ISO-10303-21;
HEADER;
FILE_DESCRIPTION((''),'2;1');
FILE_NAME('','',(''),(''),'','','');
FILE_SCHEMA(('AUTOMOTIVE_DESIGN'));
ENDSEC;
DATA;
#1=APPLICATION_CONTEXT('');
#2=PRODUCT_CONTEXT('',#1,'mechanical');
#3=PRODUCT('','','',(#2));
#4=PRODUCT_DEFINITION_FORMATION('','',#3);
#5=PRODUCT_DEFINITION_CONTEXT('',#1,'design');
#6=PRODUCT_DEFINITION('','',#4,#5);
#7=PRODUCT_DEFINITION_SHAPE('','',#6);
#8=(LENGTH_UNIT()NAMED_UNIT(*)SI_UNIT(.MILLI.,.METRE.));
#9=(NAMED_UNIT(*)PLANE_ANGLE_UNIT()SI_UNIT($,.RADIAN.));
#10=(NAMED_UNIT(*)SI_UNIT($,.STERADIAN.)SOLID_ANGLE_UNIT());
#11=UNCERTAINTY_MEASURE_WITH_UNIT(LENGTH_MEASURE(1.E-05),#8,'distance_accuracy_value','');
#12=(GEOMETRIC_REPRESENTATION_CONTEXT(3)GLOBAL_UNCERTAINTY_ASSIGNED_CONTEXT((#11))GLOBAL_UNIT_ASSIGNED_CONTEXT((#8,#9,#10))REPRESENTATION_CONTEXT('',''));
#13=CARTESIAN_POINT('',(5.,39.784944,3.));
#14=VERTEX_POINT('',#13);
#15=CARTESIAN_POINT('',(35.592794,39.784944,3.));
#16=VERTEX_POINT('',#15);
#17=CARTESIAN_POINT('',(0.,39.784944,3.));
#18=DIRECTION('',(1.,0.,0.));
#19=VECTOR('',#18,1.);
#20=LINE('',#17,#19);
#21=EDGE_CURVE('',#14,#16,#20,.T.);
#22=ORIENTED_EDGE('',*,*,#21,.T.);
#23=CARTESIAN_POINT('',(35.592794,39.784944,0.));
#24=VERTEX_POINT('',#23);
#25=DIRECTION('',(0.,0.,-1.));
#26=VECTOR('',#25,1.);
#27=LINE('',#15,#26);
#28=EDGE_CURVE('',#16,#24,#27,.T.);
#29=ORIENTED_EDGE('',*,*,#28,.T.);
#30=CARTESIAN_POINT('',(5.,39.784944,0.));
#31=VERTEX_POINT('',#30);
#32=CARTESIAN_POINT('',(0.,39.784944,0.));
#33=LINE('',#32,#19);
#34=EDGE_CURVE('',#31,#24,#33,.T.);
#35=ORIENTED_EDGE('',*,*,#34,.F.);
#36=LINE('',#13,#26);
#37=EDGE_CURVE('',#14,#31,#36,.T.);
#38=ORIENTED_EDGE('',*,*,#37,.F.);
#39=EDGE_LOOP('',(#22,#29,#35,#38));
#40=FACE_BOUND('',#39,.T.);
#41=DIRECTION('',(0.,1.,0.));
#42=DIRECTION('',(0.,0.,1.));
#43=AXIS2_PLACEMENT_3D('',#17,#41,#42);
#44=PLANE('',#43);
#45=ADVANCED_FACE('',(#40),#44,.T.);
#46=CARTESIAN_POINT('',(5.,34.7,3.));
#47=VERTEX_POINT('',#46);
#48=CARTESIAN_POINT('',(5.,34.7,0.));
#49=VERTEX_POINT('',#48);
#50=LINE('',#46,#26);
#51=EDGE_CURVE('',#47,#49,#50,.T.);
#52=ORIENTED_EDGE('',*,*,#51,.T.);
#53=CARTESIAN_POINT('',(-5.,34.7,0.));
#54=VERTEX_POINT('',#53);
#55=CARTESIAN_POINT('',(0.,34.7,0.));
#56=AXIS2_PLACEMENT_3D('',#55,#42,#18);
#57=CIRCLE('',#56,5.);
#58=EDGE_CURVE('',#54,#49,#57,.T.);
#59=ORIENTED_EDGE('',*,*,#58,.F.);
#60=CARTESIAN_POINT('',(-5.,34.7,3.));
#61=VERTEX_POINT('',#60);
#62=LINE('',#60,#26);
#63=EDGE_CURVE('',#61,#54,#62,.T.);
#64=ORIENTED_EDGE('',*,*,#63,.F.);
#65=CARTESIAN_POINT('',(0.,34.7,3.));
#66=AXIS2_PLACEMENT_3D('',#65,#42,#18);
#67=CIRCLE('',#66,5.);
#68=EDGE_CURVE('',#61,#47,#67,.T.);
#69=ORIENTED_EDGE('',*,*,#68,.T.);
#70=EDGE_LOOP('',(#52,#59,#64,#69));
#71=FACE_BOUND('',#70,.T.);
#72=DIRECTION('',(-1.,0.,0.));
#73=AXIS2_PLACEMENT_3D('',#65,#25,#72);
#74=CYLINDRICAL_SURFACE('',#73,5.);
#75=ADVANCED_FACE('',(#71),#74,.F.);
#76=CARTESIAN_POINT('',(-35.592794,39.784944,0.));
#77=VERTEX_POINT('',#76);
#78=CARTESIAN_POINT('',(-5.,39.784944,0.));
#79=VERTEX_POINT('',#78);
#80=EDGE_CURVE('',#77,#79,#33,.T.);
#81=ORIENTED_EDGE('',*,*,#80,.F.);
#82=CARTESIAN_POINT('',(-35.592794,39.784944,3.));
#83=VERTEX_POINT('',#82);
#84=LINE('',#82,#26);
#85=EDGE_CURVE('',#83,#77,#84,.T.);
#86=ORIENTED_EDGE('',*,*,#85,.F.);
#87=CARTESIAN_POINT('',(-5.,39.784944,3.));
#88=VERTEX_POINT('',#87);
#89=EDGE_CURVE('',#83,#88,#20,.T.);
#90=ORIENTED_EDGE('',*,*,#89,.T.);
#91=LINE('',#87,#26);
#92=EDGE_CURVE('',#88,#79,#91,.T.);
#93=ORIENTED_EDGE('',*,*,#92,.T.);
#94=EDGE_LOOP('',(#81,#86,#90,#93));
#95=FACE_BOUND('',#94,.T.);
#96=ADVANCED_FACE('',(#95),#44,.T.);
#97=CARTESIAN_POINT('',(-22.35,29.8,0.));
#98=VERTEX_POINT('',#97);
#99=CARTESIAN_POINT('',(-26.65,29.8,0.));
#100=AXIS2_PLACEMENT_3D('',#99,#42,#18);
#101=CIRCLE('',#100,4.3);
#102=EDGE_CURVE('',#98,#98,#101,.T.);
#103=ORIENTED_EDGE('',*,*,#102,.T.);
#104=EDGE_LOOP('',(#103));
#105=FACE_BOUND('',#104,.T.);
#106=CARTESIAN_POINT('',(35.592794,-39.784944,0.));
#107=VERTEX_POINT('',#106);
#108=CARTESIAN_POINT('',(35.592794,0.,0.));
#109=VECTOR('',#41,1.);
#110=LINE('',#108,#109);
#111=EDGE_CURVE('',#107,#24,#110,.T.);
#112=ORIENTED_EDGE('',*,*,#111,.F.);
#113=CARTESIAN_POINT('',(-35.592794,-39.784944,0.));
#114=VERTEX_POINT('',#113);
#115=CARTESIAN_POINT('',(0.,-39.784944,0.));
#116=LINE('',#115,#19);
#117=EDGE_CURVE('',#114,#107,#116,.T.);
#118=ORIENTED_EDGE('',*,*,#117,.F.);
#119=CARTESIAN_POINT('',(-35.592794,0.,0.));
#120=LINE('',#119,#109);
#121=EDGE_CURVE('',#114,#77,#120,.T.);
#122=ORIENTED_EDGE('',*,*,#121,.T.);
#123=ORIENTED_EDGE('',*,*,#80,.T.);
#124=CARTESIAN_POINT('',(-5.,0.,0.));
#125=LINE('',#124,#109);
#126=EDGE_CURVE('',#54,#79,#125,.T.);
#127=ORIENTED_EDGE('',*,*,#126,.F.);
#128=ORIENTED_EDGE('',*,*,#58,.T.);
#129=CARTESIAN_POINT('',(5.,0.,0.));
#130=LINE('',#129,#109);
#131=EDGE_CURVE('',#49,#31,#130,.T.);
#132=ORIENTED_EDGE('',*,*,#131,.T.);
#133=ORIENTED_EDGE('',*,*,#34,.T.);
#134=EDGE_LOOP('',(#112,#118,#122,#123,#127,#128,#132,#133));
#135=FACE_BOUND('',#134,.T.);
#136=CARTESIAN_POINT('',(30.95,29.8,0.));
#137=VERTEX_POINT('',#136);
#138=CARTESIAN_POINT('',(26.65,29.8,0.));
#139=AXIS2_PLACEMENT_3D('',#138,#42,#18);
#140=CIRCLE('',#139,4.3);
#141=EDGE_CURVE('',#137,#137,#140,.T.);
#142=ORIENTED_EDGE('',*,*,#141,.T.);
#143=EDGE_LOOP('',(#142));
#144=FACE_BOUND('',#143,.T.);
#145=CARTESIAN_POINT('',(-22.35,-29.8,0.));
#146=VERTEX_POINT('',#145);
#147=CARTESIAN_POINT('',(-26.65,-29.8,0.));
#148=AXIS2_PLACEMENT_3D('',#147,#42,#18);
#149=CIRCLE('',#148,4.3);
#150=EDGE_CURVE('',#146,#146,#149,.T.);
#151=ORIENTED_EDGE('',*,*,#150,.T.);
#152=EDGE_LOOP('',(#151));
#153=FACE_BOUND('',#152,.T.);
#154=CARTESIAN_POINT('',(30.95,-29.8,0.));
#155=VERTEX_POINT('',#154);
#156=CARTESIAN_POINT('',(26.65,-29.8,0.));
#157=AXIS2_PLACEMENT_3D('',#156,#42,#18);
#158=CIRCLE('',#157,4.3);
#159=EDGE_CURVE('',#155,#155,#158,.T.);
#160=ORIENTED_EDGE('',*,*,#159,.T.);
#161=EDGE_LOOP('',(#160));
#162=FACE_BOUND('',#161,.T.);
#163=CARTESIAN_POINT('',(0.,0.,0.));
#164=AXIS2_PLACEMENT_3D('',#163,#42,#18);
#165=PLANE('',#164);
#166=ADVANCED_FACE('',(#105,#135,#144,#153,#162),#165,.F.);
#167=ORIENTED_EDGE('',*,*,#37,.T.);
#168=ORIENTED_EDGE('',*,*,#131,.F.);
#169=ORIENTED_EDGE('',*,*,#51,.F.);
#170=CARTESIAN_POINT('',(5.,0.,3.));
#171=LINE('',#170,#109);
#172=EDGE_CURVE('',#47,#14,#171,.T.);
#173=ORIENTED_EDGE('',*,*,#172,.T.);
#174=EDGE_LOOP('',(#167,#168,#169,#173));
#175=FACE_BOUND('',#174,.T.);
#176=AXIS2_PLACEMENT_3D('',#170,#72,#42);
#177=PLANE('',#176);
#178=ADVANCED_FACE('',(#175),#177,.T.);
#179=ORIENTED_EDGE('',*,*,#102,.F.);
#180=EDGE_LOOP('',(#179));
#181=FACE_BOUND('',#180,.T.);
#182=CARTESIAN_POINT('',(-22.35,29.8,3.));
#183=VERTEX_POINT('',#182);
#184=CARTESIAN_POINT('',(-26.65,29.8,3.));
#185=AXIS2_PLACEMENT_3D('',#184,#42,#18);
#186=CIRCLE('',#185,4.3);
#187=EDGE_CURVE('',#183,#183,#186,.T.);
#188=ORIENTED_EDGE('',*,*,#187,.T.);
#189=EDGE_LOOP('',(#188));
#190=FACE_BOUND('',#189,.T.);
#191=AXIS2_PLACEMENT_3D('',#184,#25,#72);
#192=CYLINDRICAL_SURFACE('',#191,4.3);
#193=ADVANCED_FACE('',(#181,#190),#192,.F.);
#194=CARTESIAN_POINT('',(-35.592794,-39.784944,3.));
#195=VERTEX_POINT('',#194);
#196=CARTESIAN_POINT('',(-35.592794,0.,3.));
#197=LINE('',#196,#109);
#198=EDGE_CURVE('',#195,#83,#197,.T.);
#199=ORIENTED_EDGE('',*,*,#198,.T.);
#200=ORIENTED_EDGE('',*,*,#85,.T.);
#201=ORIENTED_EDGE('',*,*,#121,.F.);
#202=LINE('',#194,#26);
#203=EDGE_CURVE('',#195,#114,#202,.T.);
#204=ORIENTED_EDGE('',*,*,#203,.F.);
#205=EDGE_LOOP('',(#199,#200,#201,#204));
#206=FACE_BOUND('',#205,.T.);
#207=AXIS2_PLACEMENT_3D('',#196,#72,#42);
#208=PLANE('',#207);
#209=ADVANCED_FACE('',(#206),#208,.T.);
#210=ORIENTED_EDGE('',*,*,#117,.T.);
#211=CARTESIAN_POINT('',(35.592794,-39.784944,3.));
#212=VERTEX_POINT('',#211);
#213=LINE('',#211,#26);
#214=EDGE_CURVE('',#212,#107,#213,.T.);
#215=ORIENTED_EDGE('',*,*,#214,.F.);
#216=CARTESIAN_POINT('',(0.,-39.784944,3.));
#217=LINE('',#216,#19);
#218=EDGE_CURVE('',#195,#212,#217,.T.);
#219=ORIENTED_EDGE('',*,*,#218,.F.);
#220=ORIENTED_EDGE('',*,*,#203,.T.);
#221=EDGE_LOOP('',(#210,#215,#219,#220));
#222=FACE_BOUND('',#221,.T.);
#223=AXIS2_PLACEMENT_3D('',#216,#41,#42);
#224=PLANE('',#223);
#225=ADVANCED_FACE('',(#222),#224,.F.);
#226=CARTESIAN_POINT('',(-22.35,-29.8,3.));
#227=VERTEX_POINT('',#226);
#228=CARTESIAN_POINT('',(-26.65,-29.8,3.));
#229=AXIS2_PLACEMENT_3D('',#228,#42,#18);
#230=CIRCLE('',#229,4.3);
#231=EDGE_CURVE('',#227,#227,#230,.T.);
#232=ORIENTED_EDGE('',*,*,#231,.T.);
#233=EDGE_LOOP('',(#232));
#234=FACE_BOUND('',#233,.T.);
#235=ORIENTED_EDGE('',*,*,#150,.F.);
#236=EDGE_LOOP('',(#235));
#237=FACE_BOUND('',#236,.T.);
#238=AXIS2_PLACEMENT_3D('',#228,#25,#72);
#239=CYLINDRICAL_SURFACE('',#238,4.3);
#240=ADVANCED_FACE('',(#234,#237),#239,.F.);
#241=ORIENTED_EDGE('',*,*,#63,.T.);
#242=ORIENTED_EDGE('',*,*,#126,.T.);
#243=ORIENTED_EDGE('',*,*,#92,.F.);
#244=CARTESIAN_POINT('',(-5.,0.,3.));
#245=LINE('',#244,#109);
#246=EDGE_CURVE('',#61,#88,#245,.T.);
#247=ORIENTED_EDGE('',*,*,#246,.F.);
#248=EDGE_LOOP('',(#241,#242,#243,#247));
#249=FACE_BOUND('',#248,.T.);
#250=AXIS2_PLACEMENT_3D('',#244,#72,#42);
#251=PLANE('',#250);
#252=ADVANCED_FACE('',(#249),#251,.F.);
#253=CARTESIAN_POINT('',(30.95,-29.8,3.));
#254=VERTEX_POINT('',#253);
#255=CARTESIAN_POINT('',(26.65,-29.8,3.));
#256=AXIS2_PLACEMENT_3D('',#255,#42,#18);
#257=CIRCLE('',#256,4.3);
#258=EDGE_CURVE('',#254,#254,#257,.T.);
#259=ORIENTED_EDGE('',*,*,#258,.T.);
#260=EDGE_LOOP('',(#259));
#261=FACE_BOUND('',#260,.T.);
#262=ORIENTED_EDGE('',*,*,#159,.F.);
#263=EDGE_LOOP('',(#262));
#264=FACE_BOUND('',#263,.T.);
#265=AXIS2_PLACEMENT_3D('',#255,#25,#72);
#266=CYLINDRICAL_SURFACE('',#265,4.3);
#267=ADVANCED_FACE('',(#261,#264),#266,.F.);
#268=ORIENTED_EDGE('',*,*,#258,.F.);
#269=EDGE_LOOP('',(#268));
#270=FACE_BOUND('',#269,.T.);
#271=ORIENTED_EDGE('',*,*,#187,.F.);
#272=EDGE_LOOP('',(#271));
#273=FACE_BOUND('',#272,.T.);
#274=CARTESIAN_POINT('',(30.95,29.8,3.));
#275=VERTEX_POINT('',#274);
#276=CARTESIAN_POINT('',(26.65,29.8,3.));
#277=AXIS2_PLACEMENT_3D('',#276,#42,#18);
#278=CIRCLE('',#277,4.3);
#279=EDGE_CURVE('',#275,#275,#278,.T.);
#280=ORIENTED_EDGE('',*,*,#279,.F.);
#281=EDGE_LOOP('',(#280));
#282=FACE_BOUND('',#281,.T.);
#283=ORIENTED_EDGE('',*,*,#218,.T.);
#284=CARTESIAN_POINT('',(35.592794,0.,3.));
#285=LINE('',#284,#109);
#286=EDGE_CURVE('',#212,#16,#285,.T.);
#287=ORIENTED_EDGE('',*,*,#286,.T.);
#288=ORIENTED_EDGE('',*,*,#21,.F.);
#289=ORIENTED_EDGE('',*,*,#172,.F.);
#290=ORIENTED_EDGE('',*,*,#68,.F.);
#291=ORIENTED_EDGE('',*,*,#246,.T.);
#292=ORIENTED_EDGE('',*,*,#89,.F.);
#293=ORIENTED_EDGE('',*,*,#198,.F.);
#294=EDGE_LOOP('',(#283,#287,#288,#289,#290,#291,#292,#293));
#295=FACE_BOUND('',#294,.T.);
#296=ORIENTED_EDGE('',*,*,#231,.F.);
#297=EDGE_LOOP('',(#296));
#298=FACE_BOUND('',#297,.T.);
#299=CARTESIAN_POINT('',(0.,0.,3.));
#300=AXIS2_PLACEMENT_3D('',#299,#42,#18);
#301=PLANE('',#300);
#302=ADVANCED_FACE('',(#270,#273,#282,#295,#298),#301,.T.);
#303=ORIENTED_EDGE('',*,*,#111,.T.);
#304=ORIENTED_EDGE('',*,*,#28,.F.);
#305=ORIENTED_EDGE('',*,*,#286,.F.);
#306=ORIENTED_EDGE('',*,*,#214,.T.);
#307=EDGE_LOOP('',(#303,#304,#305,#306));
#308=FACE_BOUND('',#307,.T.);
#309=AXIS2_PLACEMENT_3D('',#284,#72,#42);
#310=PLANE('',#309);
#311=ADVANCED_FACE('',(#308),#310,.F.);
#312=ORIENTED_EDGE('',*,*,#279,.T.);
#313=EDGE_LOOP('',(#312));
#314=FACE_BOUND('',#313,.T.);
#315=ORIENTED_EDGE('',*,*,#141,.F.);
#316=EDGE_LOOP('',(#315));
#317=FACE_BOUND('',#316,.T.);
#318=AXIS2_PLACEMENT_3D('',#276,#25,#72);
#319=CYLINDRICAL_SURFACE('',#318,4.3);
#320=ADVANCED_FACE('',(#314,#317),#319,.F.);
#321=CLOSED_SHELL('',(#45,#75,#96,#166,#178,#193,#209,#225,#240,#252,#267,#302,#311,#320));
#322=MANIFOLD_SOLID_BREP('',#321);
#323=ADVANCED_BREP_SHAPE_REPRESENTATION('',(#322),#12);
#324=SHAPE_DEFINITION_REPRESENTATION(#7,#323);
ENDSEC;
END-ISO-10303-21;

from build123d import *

# Parameters (mm, degrees)
SKETCH1_R           = 4.3
BOSS_EXTRUDE1_DEPTH = 3


with BuildPart() as part:
    # Sketch1 → Boss-Extrude1 (new body)
    with BuildSketch(Plane.XY):
        with BuildLine():
            Line((-35.59279418, 39.784944199), (-35.59279418, -39.784944199))
            Line((-35.59279418, -39.784944199), (35.59279418, -39.784944199))
            Line((35.59279418, -39.784944199), (35.59279418, 39.784944199))
            Line((35.59279418, 39.784944199), (5, 39.784944199))
            Line((5, 39.784944199), (5, 34.7))
            ThreePointArc((5, 34.7), (0, 29.7), (-5, 34.7))
            Line((-5, 34.7), (-5, 39.784944199))
            Line((-5, 39.784944199), (-35.59279418, 39.784944199))
        make_face()
        with Locations((-26.65, -29.8)):
            Circle(SKETCH1_R, mode=Mode.SUBTRACT)
        with Locations((26.65, -29.8)):
            Circle(SKETCH1_R, mode=Mode.SUBTRACT)
        with Locations((-26.65, 29.8)):
            Circle(SKETCH1_R, mode=Mode.SUBTRACT)
        with Locations((26.65, 29.8)):
            Circle(SKETCH1_R, mode=Mode.SUBTRACT)
    extrude(amount=BOSS_EXTRUDE1_DEPTH)


solid = part.part
